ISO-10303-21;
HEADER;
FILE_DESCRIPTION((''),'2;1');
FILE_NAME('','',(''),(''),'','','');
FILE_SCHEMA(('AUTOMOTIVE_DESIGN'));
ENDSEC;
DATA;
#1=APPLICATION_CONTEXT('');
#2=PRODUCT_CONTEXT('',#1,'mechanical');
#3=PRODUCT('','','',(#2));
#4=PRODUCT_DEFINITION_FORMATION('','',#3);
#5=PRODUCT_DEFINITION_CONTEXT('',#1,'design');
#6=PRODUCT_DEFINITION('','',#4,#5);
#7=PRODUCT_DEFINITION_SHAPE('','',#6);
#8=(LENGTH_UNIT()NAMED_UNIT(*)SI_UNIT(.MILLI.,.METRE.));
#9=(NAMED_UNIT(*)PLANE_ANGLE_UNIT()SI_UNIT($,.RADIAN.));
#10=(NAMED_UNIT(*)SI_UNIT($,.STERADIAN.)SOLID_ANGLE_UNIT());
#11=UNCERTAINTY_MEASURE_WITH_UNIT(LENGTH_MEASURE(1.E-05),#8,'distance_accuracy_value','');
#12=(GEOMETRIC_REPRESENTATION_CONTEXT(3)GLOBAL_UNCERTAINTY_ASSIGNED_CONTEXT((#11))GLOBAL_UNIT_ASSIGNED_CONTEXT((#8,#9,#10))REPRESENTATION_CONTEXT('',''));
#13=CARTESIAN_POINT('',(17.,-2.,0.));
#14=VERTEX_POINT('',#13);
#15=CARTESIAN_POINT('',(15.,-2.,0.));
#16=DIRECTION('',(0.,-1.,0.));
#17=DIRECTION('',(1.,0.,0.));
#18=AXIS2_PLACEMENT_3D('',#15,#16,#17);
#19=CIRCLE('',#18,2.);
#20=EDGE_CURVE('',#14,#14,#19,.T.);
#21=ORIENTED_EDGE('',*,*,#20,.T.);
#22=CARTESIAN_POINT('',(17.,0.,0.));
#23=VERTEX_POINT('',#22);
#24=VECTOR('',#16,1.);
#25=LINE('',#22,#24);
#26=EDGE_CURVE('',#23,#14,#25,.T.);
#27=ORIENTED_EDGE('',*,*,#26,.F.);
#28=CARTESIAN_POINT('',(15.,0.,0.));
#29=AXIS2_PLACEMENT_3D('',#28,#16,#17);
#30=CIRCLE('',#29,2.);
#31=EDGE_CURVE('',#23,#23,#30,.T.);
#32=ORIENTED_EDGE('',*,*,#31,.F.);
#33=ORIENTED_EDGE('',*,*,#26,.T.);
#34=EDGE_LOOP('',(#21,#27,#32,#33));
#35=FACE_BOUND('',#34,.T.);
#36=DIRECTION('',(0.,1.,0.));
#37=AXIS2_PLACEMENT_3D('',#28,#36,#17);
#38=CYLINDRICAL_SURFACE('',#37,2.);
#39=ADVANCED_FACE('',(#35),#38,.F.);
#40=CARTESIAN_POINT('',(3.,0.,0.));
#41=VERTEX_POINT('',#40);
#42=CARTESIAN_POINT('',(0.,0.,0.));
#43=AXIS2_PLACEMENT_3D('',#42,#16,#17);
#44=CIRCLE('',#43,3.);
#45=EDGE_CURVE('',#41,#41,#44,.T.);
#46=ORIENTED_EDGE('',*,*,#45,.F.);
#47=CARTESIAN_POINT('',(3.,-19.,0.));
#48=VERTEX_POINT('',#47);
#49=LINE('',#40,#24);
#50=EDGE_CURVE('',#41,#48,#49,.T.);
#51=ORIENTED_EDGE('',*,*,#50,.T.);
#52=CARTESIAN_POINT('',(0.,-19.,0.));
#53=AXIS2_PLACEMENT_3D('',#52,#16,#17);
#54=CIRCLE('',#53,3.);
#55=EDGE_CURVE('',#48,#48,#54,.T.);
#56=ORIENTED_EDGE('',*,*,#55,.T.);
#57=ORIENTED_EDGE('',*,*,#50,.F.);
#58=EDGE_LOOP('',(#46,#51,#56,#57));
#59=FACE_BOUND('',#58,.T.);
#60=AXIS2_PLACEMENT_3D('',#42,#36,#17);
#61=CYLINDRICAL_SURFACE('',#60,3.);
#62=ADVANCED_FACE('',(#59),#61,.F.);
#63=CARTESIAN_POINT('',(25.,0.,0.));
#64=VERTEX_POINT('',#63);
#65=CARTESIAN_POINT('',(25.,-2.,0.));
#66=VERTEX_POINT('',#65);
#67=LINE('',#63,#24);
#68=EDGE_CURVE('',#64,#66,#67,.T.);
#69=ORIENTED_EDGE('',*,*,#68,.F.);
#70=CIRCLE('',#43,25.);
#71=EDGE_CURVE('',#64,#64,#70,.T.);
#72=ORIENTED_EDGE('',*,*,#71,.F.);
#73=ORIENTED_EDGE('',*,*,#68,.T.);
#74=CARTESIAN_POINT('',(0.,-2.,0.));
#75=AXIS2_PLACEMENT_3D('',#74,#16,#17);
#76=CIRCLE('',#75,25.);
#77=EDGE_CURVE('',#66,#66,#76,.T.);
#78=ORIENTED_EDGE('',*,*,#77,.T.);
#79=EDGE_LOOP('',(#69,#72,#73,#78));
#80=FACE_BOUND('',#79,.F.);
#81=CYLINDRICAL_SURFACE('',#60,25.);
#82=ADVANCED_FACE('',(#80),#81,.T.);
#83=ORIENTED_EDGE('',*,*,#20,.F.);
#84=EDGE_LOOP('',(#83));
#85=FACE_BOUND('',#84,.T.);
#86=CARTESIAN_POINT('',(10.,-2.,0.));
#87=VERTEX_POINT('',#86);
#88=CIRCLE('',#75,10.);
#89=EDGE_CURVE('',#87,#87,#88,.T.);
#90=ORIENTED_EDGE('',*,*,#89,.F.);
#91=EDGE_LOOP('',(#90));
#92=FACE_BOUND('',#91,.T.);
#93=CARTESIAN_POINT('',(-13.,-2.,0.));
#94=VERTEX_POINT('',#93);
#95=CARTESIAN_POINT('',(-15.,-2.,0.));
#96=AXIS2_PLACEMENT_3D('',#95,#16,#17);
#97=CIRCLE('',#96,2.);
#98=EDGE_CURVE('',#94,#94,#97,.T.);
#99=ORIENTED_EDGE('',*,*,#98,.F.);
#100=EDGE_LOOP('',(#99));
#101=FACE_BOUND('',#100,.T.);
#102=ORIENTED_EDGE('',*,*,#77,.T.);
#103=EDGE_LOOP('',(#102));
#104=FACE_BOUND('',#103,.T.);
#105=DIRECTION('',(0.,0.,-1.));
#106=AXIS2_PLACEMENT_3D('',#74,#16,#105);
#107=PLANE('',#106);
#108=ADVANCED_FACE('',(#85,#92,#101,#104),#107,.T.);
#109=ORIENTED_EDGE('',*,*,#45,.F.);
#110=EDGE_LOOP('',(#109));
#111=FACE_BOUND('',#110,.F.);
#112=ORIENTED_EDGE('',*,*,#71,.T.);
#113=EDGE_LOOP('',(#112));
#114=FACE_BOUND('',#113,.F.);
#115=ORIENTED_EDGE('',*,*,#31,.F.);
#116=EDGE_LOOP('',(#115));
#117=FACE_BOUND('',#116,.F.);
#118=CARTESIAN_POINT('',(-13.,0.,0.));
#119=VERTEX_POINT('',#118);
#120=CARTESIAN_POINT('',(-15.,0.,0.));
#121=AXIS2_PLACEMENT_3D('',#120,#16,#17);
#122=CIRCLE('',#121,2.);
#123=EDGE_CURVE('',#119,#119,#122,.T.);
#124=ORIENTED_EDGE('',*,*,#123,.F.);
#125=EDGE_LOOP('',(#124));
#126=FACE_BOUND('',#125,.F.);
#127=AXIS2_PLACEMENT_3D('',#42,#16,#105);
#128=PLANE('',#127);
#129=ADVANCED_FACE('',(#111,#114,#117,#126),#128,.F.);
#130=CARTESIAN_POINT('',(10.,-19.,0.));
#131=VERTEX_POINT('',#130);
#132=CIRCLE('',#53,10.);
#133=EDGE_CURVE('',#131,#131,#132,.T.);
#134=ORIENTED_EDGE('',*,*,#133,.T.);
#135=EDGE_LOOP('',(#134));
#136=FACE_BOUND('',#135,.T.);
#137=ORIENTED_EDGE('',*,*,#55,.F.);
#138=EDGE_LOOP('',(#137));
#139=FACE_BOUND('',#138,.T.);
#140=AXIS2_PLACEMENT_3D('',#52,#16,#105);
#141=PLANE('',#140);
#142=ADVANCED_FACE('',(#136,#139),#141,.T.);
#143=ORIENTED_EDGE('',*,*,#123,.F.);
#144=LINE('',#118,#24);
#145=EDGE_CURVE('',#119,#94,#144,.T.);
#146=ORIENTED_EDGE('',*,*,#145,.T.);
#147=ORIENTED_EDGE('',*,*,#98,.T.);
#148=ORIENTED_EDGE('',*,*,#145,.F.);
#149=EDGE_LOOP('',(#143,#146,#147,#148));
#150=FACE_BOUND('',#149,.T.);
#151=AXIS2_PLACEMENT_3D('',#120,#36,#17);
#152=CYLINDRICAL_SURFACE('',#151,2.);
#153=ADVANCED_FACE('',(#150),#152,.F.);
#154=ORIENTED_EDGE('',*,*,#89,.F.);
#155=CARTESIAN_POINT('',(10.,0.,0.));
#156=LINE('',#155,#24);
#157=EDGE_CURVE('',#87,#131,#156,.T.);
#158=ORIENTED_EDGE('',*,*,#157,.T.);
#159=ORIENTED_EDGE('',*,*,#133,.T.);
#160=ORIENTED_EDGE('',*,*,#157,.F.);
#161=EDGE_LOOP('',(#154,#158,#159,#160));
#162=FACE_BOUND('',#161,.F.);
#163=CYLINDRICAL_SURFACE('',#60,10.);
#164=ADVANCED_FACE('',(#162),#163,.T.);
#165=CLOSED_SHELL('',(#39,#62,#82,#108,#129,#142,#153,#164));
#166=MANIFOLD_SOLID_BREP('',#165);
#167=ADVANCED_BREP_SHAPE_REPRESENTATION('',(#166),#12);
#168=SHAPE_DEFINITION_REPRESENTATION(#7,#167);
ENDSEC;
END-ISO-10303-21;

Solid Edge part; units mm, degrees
sketch "Sketch1" plane through (0, 0, 0) normal (0, -1, 0) x (1, 0, 0)
  circle A0 centre (0, 0) radius 10
  circle A1 centre (0, 0) radius 3
extrude "Protrusion1" add sketch "Sketch1" along normal blind 19
sketch "Sketch2" plane through (0, 0, 0) normal (0, -1, 0) x (1, 0, 0)
  circle A0 centre (-15, 0) radius 2
  circle A1 centre (0, 0) radius 10
  circle A2 centre (0, 0) radius 25
  circle A3 centre (15, 0) radius 2
extrude "ExtrudedProtrusion_2" add sketch "Sketch2" along normal blind 2
